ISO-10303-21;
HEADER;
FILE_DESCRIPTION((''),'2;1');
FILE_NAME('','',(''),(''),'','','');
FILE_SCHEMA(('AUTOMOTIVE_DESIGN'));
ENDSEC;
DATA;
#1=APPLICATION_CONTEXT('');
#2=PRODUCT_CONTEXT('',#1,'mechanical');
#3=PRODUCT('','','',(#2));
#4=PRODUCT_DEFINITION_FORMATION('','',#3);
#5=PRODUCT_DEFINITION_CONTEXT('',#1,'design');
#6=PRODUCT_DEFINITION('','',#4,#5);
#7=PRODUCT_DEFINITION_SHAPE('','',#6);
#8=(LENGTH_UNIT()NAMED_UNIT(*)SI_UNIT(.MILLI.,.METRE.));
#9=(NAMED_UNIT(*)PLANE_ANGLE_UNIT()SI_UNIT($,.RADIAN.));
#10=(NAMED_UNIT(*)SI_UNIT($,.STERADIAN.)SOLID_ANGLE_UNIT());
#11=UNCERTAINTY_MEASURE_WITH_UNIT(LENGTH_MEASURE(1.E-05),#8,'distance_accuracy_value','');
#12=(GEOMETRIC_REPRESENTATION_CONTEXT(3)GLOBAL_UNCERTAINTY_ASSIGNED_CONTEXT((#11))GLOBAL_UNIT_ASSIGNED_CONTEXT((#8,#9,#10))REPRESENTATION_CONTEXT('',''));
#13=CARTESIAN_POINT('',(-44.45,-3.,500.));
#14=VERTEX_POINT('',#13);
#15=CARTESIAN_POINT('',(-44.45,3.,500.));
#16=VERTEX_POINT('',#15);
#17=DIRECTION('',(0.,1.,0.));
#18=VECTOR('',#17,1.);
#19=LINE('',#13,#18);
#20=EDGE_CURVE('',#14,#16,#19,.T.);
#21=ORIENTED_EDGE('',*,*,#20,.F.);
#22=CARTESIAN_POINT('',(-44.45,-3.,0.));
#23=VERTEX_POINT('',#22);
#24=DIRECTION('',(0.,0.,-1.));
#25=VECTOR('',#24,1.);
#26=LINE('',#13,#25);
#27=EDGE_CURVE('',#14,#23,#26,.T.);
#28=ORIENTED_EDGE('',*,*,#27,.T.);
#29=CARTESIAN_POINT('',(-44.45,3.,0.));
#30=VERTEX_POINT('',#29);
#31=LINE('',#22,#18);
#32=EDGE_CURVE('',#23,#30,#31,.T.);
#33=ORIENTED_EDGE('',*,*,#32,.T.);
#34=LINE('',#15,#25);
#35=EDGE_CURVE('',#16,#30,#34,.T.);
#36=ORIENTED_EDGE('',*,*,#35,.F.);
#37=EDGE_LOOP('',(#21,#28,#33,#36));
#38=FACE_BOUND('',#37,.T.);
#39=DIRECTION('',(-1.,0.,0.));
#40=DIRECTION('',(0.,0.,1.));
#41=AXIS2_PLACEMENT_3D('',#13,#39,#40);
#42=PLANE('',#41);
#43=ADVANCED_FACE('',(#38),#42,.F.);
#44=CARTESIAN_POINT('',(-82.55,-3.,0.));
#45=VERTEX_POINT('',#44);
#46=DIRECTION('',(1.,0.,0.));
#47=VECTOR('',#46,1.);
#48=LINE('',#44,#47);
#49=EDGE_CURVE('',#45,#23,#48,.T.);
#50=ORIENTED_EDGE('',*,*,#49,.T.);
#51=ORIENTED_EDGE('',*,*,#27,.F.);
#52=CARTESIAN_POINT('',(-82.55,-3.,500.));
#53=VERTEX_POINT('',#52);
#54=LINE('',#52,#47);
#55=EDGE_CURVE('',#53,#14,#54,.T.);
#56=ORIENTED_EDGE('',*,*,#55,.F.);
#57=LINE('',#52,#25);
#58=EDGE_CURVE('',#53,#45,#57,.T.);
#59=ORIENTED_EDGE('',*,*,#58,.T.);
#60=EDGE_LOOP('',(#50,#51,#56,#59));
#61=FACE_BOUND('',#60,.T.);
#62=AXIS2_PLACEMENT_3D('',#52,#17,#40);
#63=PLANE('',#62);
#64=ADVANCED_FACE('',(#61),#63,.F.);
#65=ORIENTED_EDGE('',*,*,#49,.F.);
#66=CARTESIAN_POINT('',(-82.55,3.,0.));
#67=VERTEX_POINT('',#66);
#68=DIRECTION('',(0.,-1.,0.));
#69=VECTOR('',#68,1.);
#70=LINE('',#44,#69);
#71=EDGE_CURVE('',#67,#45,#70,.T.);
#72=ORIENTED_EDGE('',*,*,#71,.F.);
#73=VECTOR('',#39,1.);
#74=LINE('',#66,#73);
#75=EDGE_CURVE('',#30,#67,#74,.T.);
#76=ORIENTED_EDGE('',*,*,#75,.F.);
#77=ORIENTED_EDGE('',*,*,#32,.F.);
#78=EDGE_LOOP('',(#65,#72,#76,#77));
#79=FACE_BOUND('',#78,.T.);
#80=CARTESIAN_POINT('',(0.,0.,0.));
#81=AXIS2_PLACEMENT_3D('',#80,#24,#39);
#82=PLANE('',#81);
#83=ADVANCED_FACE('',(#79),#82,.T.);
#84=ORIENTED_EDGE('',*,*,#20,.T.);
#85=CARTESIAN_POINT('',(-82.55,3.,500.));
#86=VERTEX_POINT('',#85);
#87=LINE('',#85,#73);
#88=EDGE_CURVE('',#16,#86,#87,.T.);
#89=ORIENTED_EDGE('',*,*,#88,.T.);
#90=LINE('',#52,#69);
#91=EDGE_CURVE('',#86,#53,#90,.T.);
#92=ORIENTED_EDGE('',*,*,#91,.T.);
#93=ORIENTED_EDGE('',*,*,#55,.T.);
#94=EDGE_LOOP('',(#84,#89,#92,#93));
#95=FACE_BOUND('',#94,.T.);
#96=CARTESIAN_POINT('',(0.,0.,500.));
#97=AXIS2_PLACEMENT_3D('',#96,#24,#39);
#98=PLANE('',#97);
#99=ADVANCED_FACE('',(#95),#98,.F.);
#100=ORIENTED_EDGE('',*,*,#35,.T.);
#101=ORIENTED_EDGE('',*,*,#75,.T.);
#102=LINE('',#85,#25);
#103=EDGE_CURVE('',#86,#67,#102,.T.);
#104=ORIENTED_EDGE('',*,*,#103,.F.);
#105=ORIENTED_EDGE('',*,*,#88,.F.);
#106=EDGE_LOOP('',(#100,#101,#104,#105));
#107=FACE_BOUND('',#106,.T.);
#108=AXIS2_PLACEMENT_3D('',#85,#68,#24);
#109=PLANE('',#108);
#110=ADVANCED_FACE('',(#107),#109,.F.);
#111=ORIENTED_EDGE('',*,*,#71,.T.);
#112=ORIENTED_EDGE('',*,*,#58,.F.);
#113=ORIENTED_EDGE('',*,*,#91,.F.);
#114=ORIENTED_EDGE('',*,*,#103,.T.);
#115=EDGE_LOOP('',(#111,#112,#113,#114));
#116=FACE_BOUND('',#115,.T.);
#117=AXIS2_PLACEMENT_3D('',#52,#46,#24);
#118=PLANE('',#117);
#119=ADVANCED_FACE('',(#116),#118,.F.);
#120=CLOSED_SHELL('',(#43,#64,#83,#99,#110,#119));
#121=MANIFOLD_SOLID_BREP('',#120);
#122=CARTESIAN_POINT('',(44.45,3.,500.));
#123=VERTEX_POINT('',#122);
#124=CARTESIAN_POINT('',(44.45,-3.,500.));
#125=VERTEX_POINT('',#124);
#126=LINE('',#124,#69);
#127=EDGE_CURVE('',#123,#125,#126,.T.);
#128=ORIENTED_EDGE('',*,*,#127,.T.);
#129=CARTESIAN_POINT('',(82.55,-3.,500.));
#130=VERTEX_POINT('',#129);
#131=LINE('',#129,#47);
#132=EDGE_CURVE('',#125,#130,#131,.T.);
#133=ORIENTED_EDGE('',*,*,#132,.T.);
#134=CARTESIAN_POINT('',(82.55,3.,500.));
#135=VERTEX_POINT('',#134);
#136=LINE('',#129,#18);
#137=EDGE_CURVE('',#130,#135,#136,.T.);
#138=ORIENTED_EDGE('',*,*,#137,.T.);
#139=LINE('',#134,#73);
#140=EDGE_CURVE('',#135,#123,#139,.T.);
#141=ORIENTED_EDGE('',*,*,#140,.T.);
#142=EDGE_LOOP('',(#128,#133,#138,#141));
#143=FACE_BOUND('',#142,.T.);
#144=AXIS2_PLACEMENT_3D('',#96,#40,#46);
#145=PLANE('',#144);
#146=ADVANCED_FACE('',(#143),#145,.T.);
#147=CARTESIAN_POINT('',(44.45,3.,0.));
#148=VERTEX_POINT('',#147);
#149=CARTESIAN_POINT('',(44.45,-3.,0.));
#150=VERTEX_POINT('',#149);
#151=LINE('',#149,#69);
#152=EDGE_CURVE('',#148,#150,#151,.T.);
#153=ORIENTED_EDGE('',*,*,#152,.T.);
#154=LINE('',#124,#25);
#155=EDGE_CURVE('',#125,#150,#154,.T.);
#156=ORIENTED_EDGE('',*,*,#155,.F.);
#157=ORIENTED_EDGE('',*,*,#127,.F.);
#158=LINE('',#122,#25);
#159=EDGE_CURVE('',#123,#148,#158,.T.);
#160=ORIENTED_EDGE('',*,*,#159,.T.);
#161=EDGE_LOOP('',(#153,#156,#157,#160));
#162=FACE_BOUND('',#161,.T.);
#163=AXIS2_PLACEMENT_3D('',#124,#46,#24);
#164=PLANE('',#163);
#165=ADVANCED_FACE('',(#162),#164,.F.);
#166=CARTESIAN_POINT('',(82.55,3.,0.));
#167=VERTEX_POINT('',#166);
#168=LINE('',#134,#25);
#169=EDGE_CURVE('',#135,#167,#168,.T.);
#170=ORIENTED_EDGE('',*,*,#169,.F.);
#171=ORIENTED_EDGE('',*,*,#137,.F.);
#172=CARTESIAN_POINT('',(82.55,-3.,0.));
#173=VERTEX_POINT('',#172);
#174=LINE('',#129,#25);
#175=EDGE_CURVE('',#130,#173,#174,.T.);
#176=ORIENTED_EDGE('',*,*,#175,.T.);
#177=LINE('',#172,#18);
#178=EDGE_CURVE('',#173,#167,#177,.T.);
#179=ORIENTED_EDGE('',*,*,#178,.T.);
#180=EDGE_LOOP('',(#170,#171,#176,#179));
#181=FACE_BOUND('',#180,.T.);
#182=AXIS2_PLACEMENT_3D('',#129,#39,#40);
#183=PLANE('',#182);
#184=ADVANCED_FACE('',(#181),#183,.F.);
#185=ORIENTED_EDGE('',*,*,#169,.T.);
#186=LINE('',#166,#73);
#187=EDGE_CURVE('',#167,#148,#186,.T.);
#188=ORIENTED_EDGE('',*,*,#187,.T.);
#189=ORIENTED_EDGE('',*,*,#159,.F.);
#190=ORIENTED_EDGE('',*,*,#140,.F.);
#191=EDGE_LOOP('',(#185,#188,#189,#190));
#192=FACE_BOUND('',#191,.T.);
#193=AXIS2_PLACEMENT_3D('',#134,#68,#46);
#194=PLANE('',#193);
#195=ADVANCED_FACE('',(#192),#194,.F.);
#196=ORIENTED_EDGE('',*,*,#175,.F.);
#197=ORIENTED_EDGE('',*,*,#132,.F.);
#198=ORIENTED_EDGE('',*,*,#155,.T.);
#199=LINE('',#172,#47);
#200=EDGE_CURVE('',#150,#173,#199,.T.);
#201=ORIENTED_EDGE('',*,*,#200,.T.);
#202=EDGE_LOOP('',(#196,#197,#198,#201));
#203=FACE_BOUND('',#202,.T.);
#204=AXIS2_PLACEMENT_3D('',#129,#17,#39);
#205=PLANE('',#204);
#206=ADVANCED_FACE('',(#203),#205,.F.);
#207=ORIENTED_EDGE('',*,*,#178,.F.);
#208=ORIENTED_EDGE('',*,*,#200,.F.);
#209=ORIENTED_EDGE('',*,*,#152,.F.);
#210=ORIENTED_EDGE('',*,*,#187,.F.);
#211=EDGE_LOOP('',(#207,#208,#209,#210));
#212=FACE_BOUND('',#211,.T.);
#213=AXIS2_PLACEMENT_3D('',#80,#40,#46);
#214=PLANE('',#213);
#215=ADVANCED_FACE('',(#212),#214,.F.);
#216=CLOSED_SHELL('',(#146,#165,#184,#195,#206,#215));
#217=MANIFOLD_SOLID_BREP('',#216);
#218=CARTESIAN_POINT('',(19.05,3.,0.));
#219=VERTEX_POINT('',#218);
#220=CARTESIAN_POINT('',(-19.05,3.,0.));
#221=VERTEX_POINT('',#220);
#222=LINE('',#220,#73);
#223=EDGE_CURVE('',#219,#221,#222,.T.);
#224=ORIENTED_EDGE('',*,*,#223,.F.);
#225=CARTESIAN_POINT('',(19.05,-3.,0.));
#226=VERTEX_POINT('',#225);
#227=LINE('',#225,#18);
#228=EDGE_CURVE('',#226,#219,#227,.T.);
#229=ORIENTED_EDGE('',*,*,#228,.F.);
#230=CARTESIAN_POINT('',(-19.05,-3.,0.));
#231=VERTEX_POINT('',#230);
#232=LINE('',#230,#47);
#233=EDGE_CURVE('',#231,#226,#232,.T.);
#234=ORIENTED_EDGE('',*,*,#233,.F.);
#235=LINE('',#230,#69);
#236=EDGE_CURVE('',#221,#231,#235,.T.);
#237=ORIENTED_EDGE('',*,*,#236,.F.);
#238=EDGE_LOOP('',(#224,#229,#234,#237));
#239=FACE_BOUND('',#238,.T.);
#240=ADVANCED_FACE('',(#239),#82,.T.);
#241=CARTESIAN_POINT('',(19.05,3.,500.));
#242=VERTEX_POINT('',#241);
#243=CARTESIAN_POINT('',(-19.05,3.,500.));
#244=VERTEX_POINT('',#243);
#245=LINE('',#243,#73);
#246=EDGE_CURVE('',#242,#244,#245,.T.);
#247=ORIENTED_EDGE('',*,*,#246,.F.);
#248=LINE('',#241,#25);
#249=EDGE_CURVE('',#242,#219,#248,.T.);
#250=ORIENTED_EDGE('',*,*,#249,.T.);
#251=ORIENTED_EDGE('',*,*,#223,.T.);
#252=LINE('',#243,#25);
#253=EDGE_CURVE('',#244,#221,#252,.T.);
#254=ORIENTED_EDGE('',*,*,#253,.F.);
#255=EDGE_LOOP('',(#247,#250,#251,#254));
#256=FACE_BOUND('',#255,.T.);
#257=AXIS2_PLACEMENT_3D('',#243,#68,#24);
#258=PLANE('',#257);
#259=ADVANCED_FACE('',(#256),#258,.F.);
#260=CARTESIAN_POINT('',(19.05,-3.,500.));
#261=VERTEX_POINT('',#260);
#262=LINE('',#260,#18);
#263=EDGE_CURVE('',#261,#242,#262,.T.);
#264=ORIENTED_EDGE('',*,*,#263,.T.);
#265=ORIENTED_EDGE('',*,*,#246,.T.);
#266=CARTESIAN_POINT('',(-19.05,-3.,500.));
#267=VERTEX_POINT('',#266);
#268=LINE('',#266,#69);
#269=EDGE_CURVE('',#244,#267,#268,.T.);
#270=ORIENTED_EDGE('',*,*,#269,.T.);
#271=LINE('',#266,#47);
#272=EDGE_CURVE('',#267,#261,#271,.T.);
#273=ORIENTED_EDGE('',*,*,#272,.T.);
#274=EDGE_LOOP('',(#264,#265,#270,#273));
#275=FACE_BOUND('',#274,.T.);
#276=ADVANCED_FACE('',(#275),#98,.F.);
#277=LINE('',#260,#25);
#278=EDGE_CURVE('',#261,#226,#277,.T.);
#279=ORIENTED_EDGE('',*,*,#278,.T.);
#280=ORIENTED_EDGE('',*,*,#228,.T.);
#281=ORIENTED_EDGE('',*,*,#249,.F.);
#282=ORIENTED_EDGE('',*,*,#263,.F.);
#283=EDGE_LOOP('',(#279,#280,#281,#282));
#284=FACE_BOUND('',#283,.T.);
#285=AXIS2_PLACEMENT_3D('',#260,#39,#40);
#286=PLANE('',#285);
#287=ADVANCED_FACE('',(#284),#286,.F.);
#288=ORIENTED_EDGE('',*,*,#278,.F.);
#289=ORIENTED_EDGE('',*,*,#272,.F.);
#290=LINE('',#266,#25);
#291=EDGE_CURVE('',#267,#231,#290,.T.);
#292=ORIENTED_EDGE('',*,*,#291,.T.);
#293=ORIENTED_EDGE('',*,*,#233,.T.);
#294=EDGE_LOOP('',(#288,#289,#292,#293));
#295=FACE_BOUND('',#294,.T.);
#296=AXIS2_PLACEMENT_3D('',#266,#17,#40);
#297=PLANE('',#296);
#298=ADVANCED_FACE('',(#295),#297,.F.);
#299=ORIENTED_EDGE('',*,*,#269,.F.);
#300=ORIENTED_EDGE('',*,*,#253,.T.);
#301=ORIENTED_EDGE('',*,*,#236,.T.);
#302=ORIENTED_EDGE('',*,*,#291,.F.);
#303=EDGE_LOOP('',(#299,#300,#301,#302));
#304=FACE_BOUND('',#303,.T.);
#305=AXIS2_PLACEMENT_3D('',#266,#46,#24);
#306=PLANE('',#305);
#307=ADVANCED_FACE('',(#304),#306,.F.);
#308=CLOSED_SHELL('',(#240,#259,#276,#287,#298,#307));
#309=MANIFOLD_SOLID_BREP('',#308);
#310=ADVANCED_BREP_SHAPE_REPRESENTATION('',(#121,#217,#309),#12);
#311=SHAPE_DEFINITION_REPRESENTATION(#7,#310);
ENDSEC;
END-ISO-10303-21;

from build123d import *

# Parameters (mm, degrees)
CROQUIS1_W                = 38.1
CROQUIS1_H                = 6
SALIENTE_EXTRUIR1_DEPTH   = 500
SALIENTE_EXTRUIR1_2_DEPTH = 500
SALIENTE_EXTRUIR1_3_DEPTH = 500


with BuildPart() as part:
    # Croquis1 → Saliente-Extruir1 (new body)
    with BuildSketch(Plane.XY):
        Rectangle(CROQUIS1_W, CROQUIS1_H)
    extrude(amount=SALIENTE_EXTRUIR1_DEPTH)


with BuildPart() as body_2:
    # Croquis1 → Saliente-Extruir1 2 (new body)
    with BuildSketch(Plane.XY):
        with Locations((-63.5, 0)):
            Rectangle(CROQUIS1_W, CROQUIS1_H)
    extrude(amount=SALIENTE_EXTRUIR1_2_DEPTH)


with BuildPart() as body_3:
    # Croquis1 → Saliente-Extruir1 3 (new body)
    with BuildSketch(Plane.XY):
        with Locations((63.5, 0)):
            Rectangle(CROQUIS1_W, CROQUIS1_H)
    extrude(amount=SALIENTE_EXTRUIR1_3_DEPTH)


solid = Compound([part.part, body_2.part, body_3.part])
